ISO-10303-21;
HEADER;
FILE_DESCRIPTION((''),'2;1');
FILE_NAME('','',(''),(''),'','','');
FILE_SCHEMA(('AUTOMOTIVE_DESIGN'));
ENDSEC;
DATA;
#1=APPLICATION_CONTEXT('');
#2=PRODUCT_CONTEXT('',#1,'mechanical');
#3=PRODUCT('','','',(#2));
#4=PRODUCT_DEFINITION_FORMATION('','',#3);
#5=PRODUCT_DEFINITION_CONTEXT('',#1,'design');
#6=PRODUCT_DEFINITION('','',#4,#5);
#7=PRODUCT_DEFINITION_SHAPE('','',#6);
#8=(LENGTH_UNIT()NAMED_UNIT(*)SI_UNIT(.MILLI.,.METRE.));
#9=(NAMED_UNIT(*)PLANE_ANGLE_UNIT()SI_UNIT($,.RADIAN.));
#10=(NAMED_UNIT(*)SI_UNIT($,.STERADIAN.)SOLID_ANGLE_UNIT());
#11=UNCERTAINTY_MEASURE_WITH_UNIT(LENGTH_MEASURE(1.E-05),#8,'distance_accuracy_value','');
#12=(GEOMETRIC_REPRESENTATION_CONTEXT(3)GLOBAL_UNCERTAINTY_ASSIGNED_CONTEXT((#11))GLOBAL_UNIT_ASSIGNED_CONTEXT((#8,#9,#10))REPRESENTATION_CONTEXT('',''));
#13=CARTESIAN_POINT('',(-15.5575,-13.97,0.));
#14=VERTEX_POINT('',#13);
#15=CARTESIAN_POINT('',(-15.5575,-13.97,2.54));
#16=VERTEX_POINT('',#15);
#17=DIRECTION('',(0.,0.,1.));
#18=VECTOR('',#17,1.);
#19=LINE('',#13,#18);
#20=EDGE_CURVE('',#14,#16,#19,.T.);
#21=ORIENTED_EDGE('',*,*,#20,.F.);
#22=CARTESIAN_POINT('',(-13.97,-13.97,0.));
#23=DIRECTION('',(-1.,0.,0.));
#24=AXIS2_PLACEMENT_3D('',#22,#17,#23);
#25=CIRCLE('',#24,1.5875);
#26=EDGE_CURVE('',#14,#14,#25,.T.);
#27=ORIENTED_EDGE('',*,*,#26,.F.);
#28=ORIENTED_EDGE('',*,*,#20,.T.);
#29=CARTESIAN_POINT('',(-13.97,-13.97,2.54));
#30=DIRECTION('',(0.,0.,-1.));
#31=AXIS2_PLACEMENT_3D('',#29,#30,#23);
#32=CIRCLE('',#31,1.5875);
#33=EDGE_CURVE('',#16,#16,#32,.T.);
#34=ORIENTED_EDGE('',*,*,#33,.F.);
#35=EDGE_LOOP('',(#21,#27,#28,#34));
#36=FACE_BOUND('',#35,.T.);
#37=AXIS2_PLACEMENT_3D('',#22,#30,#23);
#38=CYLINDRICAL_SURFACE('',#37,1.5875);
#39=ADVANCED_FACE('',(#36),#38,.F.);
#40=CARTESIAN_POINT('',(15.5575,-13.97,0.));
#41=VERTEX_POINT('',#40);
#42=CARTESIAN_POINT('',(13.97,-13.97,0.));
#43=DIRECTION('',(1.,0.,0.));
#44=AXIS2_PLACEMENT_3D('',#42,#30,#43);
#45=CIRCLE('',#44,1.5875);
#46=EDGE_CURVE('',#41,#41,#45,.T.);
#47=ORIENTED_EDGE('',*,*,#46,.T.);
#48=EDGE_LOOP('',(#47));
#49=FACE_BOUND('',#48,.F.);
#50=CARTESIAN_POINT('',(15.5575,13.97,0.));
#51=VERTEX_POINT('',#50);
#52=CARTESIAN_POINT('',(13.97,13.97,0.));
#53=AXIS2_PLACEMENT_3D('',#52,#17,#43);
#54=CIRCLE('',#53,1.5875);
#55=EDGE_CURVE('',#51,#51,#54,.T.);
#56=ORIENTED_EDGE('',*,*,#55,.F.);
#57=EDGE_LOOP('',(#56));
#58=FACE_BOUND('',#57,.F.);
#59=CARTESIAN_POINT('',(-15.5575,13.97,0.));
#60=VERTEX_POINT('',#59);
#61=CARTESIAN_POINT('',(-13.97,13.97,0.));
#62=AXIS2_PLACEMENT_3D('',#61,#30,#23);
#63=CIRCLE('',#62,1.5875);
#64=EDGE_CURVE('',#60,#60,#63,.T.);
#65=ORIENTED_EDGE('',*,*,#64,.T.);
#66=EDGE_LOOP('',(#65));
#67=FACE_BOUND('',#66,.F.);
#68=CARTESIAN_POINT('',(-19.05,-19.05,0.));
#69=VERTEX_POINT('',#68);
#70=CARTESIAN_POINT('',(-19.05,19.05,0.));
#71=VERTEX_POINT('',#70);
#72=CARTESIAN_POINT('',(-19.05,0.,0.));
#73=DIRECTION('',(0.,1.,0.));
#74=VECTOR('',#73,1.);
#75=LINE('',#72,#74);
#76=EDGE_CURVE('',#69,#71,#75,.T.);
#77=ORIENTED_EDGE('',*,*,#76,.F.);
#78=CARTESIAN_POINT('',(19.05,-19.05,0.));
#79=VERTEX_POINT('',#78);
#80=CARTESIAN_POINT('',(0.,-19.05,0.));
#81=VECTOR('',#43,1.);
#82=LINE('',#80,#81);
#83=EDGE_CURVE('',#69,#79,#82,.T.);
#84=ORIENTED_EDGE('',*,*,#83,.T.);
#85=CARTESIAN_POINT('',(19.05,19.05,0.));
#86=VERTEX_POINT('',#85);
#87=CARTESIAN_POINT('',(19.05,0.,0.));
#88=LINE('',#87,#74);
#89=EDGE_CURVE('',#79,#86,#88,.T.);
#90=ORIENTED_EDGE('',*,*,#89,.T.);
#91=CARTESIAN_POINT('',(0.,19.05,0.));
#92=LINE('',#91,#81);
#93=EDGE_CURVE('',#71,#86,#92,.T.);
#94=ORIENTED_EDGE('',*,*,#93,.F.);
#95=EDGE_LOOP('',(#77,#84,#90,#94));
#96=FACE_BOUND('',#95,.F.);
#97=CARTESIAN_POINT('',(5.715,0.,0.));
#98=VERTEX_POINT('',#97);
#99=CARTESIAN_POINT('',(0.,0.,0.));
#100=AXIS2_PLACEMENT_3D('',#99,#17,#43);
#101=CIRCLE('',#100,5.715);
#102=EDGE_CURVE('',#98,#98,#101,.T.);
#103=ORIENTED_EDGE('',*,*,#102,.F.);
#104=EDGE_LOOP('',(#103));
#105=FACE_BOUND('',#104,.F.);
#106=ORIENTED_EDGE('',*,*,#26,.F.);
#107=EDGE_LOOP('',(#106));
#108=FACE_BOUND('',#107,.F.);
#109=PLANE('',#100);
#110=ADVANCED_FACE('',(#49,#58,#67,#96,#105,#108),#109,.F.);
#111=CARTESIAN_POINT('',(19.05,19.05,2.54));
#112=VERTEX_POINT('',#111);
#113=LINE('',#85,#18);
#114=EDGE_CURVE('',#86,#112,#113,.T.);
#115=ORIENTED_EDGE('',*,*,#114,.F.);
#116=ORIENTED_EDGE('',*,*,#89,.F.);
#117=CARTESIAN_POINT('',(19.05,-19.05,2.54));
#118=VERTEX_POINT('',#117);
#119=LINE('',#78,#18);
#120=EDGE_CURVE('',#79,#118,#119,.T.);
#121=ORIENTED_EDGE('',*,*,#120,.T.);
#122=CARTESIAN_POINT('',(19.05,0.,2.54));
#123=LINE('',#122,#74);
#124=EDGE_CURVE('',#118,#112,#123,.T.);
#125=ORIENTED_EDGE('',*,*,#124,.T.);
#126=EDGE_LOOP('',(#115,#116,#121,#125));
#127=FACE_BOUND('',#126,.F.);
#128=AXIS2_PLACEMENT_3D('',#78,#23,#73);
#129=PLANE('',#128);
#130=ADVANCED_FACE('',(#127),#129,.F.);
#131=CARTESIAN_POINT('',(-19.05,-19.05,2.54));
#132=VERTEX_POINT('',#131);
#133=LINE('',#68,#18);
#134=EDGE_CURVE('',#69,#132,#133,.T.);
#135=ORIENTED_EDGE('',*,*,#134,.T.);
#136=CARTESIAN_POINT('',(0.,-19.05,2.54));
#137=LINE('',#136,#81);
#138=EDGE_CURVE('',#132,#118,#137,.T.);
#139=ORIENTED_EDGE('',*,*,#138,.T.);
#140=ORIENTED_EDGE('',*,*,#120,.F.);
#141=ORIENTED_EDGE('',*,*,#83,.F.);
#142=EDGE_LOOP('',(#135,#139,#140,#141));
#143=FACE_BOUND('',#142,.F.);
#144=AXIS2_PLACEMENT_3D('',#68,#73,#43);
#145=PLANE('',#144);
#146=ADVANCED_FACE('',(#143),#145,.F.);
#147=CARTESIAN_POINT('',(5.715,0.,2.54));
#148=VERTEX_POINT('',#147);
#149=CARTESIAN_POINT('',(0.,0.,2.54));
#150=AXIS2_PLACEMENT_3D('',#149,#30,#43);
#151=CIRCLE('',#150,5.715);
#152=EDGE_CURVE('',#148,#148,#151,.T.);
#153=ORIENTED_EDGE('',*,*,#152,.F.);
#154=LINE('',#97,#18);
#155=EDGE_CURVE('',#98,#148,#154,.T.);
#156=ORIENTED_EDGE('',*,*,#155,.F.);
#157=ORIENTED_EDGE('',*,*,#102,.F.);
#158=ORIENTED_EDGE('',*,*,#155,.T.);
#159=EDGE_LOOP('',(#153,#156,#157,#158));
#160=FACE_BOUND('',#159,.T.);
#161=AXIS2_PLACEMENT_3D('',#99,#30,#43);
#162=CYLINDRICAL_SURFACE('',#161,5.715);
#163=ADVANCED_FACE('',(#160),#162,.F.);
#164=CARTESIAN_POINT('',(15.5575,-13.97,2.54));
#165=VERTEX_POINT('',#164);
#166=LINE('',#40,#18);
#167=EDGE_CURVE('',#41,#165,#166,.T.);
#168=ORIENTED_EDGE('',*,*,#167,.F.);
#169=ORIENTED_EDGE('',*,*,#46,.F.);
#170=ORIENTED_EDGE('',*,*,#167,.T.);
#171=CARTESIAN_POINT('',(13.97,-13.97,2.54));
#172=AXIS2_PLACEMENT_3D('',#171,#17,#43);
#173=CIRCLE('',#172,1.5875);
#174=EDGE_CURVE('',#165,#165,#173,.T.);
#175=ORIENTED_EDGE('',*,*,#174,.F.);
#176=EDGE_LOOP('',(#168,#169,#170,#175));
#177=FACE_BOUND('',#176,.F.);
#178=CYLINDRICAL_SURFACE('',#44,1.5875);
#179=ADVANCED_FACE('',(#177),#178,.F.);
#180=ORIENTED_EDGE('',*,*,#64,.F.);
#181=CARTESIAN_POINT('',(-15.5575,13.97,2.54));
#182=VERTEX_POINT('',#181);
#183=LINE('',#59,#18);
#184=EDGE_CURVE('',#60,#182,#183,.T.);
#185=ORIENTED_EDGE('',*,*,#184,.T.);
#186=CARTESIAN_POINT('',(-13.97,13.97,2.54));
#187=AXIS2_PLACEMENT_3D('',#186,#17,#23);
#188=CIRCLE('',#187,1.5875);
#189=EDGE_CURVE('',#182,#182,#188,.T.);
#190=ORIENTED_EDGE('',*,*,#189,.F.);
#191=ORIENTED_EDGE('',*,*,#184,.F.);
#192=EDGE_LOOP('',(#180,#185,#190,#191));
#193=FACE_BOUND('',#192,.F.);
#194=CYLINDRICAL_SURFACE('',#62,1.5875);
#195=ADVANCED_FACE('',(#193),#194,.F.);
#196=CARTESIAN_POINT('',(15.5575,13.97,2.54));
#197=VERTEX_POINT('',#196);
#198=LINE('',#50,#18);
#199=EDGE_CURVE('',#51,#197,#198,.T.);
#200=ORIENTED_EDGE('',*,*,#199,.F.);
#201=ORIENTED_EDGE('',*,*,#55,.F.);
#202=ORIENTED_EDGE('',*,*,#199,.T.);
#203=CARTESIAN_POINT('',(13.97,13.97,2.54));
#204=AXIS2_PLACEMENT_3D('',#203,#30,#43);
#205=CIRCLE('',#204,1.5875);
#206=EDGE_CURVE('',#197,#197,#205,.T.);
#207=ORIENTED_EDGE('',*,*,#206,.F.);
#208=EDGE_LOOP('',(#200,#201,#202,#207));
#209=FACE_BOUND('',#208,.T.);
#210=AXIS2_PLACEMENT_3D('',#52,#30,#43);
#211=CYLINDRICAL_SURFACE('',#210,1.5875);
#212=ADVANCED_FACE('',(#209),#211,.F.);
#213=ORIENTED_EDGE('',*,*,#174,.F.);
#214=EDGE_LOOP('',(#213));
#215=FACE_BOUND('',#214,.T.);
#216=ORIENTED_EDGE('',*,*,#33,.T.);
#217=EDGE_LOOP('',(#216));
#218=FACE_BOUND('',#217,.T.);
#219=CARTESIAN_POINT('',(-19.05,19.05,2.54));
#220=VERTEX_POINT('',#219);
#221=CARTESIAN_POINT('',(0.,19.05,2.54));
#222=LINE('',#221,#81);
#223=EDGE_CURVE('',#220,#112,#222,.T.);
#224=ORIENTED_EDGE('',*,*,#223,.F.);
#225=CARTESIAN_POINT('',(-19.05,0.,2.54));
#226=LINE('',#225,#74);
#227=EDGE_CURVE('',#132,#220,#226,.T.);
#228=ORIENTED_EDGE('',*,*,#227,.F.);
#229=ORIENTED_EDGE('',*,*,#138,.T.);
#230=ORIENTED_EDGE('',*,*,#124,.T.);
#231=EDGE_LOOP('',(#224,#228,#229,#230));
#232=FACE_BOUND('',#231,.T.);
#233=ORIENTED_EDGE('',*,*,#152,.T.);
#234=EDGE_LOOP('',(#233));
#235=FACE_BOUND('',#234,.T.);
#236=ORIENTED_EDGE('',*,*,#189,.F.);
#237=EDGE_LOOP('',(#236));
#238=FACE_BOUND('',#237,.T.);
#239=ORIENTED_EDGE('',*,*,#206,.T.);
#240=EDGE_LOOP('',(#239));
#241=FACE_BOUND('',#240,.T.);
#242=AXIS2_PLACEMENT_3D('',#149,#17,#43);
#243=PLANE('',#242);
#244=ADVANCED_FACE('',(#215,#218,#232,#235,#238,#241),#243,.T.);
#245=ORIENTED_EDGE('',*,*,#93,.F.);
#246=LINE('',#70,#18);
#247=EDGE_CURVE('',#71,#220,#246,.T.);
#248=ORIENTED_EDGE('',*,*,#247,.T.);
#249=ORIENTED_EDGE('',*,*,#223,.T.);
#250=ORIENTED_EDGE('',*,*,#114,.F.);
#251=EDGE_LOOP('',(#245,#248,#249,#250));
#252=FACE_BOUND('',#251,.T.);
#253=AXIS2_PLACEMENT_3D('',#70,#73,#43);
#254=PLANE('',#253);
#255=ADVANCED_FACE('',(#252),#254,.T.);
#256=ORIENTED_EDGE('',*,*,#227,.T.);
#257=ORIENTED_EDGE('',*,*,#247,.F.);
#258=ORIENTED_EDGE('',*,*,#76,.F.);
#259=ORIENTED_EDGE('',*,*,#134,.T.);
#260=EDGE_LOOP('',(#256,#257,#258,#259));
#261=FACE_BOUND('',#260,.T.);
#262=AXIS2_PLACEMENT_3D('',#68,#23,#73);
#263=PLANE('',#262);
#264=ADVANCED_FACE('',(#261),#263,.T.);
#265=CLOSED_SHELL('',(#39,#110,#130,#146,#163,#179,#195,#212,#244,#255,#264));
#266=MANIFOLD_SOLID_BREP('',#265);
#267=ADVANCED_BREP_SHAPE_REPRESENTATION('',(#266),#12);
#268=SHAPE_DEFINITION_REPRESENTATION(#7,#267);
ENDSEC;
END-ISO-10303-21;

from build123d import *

# Parameters (mm, degrees)
F0_W     = 38.1
F0_H     = 38.1
F1_DEPTH = 2.54
F2_R     = 5.715
F3_DEPTH = 25.4
F4_R     = 1.5875
F5_DEPTH = 25.4


with BuildPart() as f1:
    # F0 (on Top) → F1 (new body)
    with BuildSketch(Plane.XY):
        Rectangle(F0_W, F0_H)
    extrude(amount=F1_DEPTH)

    # F2 (on Top) → F3 (cut)
    with BuildSketch(Plane.XY):
        Circle(F2_R)
    extrude(amount=F3_DEPTH, mode=Mode.SUBTRACT)

    # F4 (on Top) → F5 (cut)
    with BuildSketch(Plane.XY):
        with Locations((13.97, 13.97)):
            Circle(F4_R)
    extrude(amount=F5_DEPTH, mode=Mode.SUBTRACT)

    # F6: F1 across plane


with BuildPart() as f1_1:
    add(f1.part)
    add(f1.part.mirror(Plane.YZ), mode=Mode.INTERSECT)

    # F7: F1 across plane


with BuildPart() as f1_2:
    add(f1_1.part)
    add(f1_1.part.mirror(Plane.XZ), mode=Mode.INTERSECT)


solid = f1_2.part
